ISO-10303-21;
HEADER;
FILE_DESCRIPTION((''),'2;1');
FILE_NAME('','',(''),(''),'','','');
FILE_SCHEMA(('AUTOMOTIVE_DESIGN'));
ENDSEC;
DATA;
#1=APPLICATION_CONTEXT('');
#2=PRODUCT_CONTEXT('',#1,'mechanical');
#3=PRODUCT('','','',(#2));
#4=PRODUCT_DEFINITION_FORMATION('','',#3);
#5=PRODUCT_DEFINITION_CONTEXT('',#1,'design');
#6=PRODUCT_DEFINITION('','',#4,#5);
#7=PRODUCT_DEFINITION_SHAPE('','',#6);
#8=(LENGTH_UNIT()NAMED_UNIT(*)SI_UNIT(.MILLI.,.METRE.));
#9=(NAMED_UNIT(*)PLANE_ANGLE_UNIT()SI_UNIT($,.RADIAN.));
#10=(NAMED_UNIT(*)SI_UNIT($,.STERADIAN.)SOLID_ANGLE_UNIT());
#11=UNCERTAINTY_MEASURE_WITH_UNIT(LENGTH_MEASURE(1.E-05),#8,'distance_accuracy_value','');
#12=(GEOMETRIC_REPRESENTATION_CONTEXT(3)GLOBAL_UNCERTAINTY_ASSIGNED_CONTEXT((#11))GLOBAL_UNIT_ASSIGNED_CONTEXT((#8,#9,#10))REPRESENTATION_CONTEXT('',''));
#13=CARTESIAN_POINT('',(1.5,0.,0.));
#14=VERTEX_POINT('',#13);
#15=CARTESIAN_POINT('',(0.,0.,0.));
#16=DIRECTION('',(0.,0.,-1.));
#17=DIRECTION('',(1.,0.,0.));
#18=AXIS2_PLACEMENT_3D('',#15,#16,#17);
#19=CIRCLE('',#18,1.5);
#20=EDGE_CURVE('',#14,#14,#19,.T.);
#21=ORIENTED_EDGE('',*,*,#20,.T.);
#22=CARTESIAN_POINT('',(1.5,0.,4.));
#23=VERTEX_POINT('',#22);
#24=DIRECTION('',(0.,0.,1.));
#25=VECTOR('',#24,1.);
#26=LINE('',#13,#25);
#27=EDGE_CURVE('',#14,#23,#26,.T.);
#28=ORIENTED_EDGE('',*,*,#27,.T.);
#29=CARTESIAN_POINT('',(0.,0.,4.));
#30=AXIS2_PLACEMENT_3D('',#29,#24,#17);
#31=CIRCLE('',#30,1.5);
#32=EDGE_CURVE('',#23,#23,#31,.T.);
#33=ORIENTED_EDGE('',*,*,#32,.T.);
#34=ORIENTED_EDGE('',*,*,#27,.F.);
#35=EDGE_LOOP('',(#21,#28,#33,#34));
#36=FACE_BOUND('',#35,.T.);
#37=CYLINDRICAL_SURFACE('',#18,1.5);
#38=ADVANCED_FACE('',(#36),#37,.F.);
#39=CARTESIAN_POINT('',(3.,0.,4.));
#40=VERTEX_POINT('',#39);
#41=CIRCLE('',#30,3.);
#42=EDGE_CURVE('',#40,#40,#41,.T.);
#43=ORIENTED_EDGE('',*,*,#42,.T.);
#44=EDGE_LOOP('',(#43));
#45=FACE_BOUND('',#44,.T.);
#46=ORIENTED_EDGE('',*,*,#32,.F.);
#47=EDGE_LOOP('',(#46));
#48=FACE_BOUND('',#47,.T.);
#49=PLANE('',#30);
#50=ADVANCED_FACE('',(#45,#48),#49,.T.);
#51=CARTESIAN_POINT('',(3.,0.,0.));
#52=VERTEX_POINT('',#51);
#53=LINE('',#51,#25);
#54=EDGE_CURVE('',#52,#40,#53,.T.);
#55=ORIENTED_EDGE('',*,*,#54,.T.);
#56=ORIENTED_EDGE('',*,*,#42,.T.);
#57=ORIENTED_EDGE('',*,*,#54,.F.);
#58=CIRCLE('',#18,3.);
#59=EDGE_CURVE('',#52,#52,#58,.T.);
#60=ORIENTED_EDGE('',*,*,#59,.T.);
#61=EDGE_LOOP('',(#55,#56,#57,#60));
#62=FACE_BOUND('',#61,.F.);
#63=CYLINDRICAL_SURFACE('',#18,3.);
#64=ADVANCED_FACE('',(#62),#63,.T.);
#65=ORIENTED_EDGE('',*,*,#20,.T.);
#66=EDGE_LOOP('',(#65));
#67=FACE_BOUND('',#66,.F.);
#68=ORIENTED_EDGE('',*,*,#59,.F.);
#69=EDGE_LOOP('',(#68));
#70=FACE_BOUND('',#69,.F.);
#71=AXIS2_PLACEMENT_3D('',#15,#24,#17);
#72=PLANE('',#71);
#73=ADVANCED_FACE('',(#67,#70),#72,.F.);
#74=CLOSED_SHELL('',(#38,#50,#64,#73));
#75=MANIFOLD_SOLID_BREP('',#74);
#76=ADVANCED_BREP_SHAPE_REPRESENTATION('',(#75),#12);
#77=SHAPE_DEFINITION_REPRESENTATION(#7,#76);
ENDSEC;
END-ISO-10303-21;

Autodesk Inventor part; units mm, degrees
ref_plane "YZ Plane" through (0, 0, 0) normal (1, 0, 0) x (0, 1, 0)
ref_plane "XZ Plane" through (0, 0, 0) normal (0, 1, 0) x (-1, 0, 0)
ref_plane "XY Plane" through (0, 0, 0) normal (0, 0, 1) x (1, 0, 0)
sketch "Skizze1" plane through (0, 0, 0) normal (0, 0, 1) x (1, 0, 0)
  line L0 (-4.2, 0) -> (4.2, 0) projected
  line L1 (0, -4.2) -> (0, 4.2) projected
  circle A0 centre (0, 0) radius 3
  circle A1 centre (0, 0) radius 1.5
  dimension "d0" = 6
  dimension "d1" = 3
extrude "Extrusion1" add sketch "Skizze1" along normal blind 4 contours A1 L1 A0 L0 | L0 A0 L1 A1 | A1 L0 A0 L1 | L1 A0 L0 A1
properties part number "Sinterbuchse 364"
